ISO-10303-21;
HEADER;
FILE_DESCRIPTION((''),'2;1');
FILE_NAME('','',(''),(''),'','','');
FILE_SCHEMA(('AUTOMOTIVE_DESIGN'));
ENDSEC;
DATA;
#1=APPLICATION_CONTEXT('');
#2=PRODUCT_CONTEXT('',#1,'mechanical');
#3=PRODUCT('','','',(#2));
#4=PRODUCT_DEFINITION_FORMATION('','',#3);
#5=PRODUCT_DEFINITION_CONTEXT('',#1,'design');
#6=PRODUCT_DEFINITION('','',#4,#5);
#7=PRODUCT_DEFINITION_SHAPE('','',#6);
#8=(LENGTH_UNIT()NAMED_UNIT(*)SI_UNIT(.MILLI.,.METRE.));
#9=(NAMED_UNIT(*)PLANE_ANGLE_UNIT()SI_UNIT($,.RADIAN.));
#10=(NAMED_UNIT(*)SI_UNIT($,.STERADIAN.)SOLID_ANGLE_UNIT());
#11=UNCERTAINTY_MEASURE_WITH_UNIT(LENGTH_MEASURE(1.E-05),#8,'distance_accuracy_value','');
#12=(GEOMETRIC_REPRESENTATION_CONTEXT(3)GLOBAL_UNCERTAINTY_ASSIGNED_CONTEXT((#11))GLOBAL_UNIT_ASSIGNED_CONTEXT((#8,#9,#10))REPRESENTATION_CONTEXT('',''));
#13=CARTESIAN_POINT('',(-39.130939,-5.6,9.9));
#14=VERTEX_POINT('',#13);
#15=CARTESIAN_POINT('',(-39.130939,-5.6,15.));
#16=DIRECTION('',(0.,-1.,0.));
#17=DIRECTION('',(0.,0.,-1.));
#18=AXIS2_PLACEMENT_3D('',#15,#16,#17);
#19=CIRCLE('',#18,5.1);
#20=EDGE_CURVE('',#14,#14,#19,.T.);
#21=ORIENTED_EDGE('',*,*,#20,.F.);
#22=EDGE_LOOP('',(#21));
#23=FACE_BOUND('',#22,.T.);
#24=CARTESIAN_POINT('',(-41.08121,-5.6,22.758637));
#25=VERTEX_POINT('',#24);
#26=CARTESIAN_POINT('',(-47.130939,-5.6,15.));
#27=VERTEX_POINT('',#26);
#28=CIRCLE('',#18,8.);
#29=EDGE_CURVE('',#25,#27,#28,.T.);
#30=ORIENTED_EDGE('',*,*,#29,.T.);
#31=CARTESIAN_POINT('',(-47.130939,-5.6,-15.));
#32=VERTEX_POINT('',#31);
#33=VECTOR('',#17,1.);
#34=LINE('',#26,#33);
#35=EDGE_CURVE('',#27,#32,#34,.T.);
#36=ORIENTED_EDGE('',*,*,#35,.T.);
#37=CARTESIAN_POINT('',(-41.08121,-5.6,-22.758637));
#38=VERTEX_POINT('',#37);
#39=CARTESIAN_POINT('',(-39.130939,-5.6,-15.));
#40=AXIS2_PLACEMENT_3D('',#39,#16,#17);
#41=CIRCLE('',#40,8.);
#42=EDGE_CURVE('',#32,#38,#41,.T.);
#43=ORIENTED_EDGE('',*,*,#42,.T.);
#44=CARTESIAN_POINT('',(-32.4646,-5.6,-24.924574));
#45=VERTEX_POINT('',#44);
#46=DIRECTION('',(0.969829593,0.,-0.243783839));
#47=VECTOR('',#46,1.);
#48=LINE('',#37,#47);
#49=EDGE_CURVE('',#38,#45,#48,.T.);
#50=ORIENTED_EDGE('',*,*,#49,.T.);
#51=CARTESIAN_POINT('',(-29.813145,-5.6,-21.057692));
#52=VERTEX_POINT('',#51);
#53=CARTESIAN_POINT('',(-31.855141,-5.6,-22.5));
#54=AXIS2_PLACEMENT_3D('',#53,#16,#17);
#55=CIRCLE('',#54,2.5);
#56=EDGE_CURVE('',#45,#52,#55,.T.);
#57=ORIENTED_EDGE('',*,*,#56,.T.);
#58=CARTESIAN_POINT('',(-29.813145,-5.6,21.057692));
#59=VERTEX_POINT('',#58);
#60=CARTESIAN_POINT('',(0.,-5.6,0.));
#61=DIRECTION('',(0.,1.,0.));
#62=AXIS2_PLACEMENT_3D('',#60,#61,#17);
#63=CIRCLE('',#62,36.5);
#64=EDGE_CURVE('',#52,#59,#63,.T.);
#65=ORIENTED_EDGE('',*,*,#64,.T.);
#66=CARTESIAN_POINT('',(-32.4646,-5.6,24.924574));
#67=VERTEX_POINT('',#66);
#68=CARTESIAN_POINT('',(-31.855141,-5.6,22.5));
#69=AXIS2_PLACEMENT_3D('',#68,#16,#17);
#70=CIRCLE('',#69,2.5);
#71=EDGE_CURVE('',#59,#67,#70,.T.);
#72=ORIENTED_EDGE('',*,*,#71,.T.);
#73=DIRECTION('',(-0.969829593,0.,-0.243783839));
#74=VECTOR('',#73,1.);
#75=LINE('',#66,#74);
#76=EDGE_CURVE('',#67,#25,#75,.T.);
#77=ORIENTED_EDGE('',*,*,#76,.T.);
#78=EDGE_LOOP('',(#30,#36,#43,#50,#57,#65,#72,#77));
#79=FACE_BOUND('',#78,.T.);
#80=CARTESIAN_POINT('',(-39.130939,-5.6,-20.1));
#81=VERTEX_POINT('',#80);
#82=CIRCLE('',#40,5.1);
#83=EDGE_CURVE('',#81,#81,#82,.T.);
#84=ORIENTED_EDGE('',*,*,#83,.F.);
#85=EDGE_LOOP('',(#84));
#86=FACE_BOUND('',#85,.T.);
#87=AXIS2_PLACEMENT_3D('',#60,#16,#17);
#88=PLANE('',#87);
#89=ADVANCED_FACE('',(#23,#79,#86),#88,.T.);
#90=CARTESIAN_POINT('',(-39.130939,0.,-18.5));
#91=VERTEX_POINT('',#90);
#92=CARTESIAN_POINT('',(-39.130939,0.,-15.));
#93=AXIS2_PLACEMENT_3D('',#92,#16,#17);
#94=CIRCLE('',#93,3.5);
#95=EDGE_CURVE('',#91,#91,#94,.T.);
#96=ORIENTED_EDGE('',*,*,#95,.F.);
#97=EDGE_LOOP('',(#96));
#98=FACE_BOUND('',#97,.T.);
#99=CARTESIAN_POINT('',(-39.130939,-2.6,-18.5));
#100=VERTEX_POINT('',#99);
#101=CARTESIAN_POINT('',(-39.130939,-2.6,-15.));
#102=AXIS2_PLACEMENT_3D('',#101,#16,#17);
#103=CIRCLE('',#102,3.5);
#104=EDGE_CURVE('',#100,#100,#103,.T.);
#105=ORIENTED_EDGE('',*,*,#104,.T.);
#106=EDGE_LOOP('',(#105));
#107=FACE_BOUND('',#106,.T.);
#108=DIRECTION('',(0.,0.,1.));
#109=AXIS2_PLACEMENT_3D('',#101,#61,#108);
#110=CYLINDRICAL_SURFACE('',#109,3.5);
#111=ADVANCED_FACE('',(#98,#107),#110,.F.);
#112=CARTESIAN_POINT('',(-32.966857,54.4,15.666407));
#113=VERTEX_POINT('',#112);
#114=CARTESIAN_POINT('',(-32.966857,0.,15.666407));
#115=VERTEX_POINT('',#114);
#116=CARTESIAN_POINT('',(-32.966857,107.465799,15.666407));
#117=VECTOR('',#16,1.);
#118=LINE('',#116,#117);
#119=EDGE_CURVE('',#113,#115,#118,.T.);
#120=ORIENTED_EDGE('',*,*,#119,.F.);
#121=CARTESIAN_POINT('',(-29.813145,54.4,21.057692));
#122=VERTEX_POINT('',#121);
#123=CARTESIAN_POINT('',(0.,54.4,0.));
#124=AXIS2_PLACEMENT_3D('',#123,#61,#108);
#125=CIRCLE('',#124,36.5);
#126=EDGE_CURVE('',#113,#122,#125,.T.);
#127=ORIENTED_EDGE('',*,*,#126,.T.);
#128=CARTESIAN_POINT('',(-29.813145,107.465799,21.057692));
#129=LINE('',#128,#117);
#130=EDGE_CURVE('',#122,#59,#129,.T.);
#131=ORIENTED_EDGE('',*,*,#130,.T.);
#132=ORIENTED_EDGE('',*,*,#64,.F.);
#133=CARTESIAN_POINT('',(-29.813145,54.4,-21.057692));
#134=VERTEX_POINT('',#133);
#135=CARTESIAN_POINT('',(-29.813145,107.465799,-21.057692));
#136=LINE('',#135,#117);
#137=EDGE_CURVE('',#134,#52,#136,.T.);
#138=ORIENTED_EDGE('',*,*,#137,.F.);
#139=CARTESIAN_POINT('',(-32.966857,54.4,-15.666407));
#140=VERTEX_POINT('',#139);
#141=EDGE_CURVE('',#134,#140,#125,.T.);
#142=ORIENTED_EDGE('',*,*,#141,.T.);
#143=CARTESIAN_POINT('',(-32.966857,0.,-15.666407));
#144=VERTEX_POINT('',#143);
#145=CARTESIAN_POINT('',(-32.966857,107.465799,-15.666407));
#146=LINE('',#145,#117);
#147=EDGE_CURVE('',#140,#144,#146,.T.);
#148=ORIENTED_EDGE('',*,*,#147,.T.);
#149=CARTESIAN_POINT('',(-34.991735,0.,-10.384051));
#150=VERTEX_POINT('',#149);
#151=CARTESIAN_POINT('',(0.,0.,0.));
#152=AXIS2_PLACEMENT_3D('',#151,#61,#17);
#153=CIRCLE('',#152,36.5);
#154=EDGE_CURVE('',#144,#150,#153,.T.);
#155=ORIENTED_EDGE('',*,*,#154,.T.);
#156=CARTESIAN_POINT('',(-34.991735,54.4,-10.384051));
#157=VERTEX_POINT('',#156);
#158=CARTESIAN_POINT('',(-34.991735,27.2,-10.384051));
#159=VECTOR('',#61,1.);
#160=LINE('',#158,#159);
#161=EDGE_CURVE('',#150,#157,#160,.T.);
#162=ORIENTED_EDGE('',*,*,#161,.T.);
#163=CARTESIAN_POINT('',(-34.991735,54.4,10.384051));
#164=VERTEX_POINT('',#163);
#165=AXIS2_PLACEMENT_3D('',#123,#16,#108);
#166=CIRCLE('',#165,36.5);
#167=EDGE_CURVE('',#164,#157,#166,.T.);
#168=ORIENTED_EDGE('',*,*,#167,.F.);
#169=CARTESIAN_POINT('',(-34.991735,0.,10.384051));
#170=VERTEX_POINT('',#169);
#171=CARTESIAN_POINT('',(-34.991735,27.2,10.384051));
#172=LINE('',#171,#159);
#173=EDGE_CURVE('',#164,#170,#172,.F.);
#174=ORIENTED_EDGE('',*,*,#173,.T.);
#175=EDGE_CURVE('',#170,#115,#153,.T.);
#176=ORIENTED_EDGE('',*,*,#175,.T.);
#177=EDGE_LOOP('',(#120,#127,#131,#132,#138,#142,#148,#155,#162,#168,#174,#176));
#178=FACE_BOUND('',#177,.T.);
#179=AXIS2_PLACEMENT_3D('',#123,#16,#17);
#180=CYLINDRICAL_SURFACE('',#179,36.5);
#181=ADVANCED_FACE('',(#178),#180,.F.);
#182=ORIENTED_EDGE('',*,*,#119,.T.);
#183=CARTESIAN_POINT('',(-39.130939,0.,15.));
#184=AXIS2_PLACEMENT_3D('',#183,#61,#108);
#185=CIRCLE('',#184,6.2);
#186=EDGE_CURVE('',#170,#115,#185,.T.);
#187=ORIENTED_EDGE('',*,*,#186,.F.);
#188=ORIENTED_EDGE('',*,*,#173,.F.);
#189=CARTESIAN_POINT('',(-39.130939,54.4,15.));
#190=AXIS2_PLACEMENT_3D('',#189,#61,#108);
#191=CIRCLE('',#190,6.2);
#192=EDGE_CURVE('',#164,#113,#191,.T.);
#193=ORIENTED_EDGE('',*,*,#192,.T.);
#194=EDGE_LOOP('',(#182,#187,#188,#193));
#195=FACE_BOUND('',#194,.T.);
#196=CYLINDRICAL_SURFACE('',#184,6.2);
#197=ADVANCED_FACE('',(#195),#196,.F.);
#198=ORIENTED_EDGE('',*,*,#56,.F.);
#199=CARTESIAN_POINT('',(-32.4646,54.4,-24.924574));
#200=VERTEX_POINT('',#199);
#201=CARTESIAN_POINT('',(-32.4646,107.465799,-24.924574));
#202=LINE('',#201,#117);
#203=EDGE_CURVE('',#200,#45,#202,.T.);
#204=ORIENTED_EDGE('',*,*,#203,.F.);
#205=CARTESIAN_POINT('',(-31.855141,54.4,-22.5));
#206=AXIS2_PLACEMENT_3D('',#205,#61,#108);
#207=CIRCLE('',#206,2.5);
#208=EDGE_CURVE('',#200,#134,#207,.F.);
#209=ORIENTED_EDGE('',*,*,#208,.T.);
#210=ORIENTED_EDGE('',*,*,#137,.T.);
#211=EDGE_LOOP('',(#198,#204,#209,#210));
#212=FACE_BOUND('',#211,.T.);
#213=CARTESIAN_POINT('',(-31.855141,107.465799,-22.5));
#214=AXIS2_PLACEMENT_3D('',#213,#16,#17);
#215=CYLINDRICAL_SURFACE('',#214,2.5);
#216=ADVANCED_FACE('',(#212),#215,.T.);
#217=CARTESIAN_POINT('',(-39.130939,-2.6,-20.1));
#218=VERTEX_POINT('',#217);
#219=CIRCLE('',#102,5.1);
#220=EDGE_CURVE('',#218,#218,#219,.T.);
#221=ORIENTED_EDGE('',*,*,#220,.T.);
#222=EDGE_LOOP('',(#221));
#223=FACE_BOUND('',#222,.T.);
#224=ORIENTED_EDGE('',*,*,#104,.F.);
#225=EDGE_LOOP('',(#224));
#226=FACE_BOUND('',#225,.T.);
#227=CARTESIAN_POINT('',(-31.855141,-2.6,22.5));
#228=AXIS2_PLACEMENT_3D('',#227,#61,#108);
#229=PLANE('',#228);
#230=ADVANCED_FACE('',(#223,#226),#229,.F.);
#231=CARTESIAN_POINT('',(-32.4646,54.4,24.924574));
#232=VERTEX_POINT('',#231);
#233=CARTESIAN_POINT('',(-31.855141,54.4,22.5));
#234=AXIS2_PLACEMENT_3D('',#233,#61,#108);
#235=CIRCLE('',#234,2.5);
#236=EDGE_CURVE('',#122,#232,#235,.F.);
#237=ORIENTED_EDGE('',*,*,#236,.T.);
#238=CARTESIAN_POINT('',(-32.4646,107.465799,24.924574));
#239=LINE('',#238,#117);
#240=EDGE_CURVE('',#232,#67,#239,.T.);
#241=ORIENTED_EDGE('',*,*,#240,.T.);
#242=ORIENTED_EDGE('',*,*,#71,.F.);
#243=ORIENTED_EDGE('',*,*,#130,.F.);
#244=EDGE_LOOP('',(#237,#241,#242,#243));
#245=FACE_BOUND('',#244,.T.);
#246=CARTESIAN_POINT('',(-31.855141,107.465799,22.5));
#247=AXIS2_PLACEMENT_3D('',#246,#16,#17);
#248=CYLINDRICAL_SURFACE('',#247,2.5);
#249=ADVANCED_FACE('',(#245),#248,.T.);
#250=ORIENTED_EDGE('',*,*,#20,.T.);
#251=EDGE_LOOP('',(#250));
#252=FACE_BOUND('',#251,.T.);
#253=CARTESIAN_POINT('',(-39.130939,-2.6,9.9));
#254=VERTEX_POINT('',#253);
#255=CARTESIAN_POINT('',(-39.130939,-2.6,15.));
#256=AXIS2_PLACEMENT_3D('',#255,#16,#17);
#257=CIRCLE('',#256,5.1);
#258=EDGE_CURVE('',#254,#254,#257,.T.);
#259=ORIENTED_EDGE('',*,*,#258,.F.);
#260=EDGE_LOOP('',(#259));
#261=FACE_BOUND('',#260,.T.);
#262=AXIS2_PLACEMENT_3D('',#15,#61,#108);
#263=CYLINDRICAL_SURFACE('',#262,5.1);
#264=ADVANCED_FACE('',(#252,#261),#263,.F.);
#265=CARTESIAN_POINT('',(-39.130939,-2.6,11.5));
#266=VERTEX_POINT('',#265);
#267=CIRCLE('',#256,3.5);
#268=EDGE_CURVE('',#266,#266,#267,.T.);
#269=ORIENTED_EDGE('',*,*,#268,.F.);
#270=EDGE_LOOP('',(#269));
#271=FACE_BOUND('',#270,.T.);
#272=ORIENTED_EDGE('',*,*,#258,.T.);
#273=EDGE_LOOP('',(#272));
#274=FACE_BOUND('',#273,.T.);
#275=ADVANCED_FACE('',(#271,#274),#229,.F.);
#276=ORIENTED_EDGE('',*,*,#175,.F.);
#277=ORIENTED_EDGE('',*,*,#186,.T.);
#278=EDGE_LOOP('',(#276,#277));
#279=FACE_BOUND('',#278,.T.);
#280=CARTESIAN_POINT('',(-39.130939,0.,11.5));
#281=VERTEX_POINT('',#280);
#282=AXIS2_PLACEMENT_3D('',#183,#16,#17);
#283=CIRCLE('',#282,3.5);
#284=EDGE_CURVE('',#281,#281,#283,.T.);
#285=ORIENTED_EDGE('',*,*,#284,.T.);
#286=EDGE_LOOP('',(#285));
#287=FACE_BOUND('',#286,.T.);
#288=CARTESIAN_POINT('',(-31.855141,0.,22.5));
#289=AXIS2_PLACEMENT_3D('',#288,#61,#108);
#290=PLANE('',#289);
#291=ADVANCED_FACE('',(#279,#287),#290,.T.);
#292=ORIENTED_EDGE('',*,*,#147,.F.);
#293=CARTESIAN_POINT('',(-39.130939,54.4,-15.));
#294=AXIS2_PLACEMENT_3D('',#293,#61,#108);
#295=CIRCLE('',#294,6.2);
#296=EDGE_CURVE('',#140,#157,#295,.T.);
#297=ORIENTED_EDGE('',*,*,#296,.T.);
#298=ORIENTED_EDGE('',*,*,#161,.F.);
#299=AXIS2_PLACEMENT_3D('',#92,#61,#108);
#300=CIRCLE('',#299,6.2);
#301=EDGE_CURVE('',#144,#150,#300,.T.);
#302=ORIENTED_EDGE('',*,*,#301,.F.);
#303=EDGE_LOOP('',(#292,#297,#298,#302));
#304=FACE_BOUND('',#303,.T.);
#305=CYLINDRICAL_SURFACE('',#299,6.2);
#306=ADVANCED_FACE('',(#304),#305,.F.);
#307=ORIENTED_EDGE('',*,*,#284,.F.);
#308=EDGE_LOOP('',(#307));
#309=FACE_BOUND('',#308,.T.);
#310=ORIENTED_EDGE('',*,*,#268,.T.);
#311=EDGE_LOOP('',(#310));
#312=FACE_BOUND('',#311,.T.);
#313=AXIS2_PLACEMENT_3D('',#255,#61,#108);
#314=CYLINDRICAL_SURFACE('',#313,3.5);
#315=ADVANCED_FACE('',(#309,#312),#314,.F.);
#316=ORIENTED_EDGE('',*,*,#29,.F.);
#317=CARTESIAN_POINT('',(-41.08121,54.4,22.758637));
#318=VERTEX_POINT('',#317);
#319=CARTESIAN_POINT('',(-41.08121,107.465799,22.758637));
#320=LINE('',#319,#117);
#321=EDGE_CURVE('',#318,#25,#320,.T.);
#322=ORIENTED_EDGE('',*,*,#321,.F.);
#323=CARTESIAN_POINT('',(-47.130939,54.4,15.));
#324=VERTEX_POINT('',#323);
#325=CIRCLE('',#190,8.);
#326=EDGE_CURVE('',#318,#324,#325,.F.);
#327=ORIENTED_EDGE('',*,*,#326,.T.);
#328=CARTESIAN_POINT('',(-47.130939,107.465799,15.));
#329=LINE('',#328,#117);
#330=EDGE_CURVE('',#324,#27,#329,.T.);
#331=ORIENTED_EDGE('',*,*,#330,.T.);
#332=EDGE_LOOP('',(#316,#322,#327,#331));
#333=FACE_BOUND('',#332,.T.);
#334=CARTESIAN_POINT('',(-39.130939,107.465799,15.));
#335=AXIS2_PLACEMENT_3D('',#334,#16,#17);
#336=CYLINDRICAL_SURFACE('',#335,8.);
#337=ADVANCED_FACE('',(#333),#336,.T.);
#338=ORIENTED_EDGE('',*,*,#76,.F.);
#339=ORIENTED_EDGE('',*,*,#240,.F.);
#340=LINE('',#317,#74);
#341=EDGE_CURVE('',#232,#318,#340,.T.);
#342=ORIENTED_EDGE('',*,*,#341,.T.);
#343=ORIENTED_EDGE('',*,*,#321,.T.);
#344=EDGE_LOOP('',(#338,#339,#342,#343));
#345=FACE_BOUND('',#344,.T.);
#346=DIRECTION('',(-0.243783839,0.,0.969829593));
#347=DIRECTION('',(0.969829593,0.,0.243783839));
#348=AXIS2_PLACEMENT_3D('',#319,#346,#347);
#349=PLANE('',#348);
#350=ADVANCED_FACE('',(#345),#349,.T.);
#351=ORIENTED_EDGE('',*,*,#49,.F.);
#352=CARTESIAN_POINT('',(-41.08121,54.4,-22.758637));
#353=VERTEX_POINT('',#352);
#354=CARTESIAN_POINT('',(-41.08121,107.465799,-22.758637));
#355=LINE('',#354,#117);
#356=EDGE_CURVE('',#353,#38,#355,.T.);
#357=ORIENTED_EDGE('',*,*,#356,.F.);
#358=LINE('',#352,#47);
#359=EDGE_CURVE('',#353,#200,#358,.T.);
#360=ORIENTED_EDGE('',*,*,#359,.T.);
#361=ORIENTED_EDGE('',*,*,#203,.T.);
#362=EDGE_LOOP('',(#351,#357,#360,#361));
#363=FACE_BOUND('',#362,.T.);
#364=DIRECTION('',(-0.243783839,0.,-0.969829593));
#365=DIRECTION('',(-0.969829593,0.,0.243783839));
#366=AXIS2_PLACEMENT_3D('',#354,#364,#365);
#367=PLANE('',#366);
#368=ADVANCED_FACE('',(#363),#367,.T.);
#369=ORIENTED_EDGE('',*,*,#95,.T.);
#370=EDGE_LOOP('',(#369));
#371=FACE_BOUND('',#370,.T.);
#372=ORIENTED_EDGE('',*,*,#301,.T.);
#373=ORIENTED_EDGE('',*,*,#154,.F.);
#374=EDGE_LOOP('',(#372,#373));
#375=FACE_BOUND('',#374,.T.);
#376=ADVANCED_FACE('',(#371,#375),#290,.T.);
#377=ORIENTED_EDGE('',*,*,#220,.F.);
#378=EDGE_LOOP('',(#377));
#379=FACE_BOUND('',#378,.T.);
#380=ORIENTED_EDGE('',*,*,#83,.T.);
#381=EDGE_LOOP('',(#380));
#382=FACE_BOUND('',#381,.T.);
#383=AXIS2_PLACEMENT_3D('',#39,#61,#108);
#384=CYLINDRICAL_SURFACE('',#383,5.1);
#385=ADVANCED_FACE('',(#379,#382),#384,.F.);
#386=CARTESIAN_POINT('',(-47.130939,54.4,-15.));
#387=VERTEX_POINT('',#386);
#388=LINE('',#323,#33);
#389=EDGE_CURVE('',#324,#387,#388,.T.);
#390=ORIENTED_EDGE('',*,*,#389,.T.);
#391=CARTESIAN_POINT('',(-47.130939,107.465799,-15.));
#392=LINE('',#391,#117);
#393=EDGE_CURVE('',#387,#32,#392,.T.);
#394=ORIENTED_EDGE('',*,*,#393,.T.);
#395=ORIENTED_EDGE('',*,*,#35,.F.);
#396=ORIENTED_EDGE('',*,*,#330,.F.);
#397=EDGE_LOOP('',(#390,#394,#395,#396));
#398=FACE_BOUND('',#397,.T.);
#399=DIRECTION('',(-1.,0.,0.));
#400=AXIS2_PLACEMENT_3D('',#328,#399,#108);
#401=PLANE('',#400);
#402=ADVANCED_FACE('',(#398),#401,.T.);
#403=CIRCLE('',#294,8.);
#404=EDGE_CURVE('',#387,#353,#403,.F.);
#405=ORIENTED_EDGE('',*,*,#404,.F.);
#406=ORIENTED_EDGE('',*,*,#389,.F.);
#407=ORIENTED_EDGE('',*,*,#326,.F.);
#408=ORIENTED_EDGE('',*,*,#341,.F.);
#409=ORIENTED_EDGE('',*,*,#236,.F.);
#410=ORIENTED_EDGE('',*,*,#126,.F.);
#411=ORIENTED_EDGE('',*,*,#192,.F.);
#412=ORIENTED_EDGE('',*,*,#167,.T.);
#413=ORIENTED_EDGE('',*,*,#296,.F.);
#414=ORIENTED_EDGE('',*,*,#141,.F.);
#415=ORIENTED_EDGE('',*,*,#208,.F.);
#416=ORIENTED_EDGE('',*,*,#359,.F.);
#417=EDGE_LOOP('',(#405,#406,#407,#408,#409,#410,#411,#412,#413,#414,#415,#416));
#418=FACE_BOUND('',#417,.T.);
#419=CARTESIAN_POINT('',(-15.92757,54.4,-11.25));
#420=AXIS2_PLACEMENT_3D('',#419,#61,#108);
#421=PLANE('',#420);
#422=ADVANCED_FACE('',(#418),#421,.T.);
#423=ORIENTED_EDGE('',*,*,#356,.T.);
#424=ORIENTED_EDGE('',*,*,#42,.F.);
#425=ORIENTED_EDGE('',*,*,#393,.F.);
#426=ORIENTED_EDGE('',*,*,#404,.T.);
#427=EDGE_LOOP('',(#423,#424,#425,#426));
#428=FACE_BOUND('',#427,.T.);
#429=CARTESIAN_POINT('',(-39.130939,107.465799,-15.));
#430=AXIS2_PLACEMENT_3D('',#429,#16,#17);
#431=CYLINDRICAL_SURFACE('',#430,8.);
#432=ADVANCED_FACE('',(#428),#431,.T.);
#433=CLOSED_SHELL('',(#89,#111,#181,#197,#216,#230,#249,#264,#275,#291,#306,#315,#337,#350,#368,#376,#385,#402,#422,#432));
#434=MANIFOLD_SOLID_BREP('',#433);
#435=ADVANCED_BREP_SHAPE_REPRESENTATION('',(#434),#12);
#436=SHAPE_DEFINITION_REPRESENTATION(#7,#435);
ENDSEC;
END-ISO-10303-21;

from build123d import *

# Parameters (mm, degrees)
BOSS_EXTRU_1_DEPTH      = 54.4
ESQUISSE2_R             = 6.2
ENL_V_MAT_EXTRU_1_DEPTH = 55.4
BOSS_EXTRU_2_DEPTH      = 54.4
ESQUISSE4_R             = 3.5
BOSS_EXTRU_3_DEPTH      = 2.6
ESQUISSE5_R             = 5.1
BOSS_EXTRU_4_DEPTH      = 3


with BuildPart() as part:
    # Esquisse1 → Boss.-Extru.1 (new body)
    with BuildSketch(Plane(origin=(0, 0, 0), x_dir=(1, 0, 0), z_dir=(0, 1, 0))):
        with BuildLine():
            ThreePointArc((-33.897137082, 23.942307692), (-41.5, 0), (-33.897137082, -23.942307692))
            ThreePointArc((-33.897137082, -23.942307692), (-30.41283318, -24.54199621), (-29.813144663, -21.057692308))
            ThreePointArc((-29.813144663, -21.057692308), (-36.5, 0), (-29.813144663, 21.057692308))
            ThreePointArc((-29.813144663, 21.057692308), (-30.41283318, 24.54199621), (-33.897137082, 23.942307692))
        make_face()
    extrude(amount=BOSS_EXTRU_1_DEPTH)

    # Esquisse2 → Enlèv. mat.-Extru.1 (cut, through all)
    with BuildSketch(Plane(origin=(0, 54.4, 0), x_dir=(1, 0, 0), z_dir=(0, 1, 0))):
        with Locations((-39.130938787, 15)):
            Circle(ESQUISSE2_R)
        with Locations((-39.130938787, -15)):
            Circle(ESQUISSE2_R)
    extrude(amount=-ENL_V_MAT_EXTRU_1_DEPTH, mode=Mode.SUBTRACT)

    # Esquisse3 → Boss.-Extru.2 (add)
    with BuildSketch(Plane.XZ):
        with BuildLine():
            Line((-47.130938787, 15), (-47.130938787, -15))
            ThreePointArc((-47.130938787, -15), (-45.439748727, -19.919239489), (-41.081209501, -22.758636745))
            Line((-41.081209501, -22.758636745), (-32.46460047, -24.924573983))
            ThreePointArc((-32.46460047, -24.924573983), (-29.793288851, -23.913777296), (-29.813144663, -21.057692308))
            ThreePointArc((-29.813144663, -21.057692308), (-31.505533615, -18.429632433), (-32.966857258, -15.666407455))
            ThreePointArc((-32.966857258, -15.666407455), (-44.920174268, -17.219178351), (-34.991734648, -10.384050575))
            ThreePointArc((-34.991734648, -10.384050575), (-36.5, 0), (-34.991734648, 10.384050575))
            ThreePointArc((-34.991734648, 10.384050575), (-44.920174268, 17.219178351), (-32.966857258, 15.666407455))
            ThreePointArc((-32.966857258, 15.666407455), (-31.505533615, 18.429632433), (-29.813144663, 21.057692308))
            ThreePointArc((-29.813144663, 21.057692308), (-29.793288851, 23.913777296), (-32.46460047, 24.924573983))
            Line((-32.46460047, 24.924573983), (-41.081209501, 22.758636745))
            ThreePointArc((-41.081209501, 22.758636745), (-45.439748727, 19.919239489), (-47.130938787, 15))
        make_face()
    extrude(amount=-BOSS_EXTRU_2_DEPTH)

    # Esquisse4 → Boss.-Extru.3 (add)
    with BuildSketch(Plane.XZ):
        with BuildLine():
            Line((-47.130938787, 15), (-47.130938787, -15))
            ThreePointArc((-47.130938787, -15), (-45.439748727, -19.919239489), (-41.081209501, -22.758636745))
            Line((-41.081209501, -22.758636745), (-32.46460047, -24.924573983))
            ThreePointArc((-32.46460047, -24.924573983), (-29.793288851, -23.913777296), (-29.813144663, -21.057692308))
            ThreePointArc((-29.813144663, -21.057692308), (-36.5, 0), (-29.813144663, 21.057692308))
            ThreePointArc((-29.813144663, 21.057692308), (-29.793288851, 23.913777296), (-32.46460047, 24.924573983))
            Line((-32.46460047, 24.924573983), (-41.081209501, 22.758636745))
            ThreePointArc((-41.081209501, 22.758636745), (-45.439748727, 19.919239489), (-47.130938787, 15))
        make_face()
        with Locations((-39.130938787, 15)):
            Circle(ESQUISSE4_R, mode=Mode.SUBTRACT)
        with Locations((-39.130938787, -15)):
            Circle(ESQUISSE4_R, mode=Mode.SUBTRACT)
    extrude(amount=BOSS_EXTRU_3_DEPTH)

    # Esquisse5 → Boss.-Extru.4 (add)
    with BuildSketch(Plane.XZ.offset(2.6)):
        with BuildLine():
            Line((-32.46460047, 24.924573983), (-41.081209501, 22.758636745))
            ThreePointArc((-41.081209501, 22.758636745), (-45.439748727, 19.919239489), (-47.130938787, 15))
            Line((-47.130938787, 15), (-47.130938787, -15))
            ThreePointArc((-47.130938787, -15), (-45.439748727, -19.919239489), (-41.081209501, -22.758636745))
            Line((-41.081209501, -22.758636745), (-32.46460047, -24.924573983))
            ThreePointArc((-32.46460047, -24.924573983), (-29.793288851, -23.913777296), (-29.813144663, -21.057692308))
            ThreePointArc((-29.813144663, -21.057692308), (-36.5, 0), (-29.813144663, 21.057692308))
            ThreePointArc((-29.813144663, 21.057692308), (-29.793288851, 23.913777296), (-32.46460047, 24.924573983))
        make_face()
        with Locations((-39.130938787, 15)):
            Circle(ESQUISSE5_R, mode=Mode.SUBTRACT)
        with Locations((-39.130938787, -15)):
            Circle(ESQUISSE5_R, mode=Mode.SUBTRACT)
    extrude(amount=BOSS_EXTRU_4_DEPTH)


solid = part.part
